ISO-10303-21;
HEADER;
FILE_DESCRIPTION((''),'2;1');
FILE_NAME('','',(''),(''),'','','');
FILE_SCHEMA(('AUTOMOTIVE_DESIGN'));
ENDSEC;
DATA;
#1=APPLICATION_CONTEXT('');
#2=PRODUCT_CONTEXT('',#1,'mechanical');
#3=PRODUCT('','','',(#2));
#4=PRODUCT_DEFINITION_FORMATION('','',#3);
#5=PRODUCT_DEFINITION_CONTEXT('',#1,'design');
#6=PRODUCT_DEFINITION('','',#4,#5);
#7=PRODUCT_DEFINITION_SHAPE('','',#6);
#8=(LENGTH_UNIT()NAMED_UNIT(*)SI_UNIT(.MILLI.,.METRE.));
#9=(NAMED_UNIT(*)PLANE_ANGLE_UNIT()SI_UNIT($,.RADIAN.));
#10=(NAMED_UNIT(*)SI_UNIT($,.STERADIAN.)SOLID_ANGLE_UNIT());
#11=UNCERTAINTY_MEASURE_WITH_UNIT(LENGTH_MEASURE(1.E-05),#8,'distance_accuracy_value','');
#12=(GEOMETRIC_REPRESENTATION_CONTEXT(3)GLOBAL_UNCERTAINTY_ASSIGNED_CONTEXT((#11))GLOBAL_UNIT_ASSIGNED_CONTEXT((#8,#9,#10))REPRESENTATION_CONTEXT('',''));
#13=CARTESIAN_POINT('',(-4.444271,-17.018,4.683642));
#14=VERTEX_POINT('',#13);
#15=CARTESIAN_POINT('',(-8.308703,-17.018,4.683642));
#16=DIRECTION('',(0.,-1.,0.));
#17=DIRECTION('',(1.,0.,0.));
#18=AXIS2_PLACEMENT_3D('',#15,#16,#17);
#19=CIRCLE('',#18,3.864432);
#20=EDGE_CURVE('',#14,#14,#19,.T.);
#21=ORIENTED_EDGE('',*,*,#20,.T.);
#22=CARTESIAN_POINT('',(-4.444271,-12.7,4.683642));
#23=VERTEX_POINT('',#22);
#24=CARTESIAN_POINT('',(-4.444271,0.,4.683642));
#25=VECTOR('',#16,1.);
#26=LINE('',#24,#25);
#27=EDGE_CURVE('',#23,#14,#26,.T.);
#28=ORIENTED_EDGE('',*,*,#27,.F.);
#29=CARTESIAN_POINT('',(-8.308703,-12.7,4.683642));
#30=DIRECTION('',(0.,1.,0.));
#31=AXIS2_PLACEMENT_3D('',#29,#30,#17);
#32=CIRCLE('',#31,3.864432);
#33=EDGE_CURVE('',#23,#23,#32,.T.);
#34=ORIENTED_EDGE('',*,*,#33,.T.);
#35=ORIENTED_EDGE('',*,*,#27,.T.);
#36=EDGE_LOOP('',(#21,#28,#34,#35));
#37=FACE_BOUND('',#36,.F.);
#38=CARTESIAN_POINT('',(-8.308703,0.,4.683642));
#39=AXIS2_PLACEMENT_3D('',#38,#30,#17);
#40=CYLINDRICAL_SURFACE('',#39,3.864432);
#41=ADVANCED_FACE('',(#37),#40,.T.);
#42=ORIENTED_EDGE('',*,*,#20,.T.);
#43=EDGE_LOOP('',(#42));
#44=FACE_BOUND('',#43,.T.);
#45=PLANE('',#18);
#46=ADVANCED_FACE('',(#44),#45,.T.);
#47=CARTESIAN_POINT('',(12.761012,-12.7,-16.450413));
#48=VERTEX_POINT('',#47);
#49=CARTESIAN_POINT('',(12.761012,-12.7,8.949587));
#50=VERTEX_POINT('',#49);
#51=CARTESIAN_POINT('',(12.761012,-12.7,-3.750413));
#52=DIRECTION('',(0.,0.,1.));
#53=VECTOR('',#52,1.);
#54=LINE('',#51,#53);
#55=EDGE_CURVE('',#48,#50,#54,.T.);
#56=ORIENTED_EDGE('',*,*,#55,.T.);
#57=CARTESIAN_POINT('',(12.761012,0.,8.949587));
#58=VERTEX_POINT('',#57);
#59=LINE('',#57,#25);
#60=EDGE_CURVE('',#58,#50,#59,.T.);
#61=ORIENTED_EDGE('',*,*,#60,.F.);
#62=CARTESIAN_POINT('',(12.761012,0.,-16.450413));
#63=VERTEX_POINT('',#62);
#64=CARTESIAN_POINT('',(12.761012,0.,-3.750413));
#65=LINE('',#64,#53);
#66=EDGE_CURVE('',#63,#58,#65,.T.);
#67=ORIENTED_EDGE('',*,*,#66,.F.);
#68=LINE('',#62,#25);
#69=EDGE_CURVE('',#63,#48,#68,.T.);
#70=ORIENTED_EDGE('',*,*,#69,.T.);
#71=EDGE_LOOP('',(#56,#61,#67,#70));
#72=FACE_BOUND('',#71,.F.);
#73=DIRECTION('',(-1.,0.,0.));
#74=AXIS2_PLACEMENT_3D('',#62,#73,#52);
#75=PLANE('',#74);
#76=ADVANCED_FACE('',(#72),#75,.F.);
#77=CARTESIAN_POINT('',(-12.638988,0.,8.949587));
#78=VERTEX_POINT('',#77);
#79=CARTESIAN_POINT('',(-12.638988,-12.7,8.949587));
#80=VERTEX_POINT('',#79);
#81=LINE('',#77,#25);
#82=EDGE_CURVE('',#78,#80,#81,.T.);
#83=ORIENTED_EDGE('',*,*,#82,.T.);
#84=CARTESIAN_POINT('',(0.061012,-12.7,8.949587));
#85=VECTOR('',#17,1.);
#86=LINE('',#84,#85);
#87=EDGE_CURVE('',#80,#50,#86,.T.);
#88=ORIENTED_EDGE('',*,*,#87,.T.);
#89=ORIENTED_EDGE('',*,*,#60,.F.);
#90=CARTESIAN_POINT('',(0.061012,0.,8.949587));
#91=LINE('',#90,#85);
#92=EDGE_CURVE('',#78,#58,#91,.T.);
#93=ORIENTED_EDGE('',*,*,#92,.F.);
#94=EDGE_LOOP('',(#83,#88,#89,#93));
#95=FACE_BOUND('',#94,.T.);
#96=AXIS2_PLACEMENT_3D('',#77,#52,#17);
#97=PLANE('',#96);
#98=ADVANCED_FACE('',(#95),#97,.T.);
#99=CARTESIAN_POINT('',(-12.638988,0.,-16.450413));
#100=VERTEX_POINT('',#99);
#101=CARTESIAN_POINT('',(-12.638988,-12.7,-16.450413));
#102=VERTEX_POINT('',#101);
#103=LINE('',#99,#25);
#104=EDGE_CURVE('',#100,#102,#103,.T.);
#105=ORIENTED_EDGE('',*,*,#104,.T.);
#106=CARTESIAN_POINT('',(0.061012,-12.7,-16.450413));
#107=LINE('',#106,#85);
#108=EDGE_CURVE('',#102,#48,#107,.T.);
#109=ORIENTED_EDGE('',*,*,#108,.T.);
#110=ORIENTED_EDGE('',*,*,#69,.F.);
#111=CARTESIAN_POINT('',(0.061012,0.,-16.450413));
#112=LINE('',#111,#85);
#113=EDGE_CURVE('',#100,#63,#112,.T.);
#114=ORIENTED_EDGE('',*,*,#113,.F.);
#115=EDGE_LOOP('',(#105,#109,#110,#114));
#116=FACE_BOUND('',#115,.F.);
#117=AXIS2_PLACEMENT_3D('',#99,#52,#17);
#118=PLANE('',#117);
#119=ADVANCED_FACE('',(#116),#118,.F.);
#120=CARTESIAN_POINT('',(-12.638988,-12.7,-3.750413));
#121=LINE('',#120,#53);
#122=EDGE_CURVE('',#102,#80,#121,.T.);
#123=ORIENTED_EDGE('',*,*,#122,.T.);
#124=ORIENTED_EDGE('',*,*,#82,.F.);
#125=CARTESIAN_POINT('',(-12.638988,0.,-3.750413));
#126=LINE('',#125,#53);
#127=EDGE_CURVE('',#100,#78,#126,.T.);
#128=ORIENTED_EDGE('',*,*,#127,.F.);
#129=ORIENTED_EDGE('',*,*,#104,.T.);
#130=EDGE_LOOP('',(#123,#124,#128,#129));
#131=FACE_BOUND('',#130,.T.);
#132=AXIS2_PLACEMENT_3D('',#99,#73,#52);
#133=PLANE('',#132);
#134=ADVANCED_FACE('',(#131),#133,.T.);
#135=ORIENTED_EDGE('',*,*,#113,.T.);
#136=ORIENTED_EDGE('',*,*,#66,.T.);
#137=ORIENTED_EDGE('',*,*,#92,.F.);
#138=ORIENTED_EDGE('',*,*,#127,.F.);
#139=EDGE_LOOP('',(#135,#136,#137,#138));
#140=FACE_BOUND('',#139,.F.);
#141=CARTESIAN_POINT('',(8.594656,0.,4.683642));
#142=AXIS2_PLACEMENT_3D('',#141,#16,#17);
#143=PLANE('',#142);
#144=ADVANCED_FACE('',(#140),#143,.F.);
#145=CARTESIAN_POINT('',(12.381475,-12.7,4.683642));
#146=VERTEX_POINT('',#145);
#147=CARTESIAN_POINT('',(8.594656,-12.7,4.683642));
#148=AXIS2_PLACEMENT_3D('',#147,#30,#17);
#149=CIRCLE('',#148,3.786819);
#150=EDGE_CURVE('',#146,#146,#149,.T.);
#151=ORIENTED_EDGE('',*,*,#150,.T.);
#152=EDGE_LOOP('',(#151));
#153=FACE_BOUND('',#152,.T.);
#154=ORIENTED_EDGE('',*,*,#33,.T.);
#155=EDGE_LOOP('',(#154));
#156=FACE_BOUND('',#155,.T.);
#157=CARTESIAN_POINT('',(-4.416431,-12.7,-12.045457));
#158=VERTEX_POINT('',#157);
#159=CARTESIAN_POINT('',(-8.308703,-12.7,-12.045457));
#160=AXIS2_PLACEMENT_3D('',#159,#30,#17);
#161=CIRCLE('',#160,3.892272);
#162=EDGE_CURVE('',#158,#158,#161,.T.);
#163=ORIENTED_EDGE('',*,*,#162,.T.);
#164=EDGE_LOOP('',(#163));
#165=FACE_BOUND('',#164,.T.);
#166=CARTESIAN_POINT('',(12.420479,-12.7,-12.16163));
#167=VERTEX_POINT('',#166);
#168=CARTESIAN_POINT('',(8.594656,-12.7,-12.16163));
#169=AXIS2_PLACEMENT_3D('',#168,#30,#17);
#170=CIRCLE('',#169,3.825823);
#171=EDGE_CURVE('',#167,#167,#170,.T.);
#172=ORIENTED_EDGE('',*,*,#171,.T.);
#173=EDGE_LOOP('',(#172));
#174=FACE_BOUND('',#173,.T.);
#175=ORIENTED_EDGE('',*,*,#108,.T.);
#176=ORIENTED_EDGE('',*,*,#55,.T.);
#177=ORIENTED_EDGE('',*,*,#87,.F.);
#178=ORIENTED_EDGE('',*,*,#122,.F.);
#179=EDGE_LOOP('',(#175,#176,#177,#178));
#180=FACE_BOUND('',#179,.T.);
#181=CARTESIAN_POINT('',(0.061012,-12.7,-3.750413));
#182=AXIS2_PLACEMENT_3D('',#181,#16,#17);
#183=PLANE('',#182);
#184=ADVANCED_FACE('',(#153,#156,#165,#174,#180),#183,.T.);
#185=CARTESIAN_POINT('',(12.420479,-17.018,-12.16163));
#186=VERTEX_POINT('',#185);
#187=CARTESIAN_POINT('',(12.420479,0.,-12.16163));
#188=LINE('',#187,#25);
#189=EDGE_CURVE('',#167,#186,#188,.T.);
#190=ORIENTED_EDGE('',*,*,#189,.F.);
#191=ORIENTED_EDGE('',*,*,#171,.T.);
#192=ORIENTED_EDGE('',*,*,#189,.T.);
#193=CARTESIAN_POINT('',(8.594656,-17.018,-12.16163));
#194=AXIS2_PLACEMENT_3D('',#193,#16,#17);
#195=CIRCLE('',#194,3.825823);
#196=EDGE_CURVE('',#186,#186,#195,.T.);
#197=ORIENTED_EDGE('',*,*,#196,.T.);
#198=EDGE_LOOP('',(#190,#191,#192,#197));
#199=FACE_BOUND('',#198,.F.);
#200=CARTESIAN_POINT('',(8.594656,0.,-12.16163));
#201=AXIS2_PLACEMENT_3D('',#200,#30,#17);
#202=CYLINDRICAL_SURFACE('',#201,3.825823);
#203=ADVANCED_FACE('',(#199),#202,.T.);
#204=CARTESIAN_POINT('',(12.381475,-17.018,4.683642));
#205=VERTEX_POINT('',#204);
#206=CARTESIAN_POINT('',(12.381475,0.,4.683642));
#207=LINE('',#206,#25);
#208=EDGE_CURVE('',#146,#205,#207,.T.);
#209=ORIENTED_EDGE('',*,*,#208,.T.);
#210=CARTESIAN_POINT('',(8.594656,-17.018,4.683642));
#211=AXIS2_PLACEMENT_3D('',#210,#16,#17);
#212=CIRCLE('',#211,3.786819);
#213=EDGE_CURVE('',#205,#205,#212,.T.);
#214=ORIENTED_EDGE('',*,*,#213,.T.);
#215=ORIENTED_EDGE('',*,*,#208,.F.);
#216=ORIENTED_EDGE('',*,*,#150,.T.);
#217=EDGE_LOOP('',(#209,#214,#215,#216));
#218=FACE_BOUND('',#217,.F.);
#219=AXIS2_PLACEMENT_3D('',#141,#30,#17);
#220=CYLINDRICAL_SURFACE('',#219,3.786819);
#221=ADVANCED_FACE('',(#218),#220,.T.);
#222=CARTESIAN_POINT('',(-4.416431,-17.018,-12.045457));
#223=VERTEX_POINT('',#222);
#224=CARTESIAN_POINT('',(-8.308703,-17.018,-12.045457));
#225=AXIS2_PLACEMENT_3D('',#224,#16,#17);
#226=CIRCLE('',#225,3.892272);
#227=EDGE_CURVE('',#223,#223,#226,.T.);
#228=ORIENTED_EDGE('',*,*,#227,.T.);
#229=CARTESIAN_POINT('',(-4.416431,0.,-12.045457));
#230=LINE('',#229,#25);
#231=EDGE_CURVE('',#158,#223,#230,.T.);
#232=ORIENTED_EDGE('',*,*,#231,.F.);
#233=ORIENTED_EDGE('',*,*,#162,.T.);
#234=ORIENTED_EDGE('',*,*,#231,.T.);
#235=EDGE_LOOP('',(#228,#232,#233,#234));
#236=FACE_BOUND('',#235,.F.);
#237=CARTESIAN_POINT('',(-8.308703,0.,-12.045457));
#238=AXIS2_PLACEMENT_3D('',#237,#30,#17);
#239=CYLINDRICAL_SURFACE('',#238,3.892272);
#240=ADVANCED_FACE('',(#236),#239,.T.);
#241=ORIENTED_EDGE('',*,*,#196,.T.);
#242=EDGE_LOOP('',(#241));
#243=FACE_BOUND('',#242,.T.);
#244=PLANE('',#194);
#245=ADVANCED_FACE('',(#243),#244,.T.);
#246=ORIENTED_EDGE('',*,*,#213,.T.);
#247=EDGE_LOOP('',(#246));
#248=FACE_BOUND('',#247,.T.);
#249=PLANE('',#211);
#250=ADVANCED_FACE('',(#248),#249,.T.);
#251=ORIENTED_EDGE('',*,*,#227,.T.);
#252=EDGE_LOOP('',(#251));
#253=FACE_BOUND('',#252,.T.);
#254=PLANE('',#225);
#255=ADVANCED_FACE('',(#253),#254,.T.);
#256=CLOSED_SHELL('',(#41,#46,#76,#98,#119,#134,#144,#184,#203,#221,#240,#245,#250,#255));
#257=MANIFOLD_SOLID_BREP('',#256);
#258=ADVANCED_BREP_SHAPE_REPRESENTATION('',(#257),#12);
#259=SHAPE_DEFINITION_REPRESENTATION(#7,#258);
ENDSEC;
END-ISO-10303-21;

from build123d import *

# Parameters (mm, degrees)
F0_W     = 25.4
F0_H     = 25.4
F1_DEPTH = 12.7
F2_R     = 3.892272
F3_DEPTH = 17.018
F2_R_2   = 3.825823
F4_DEPTH = 17.018
F2_R_3   = 3.864432
F5_DEPTH = 17.018
F2_R_4   = 3.786819
F6_DEPTH = 17.018


with BuildPart() as f1:
    # F0 (on Front) → F1 (new body)
    with BuildSketch(Plane.XZ):
        with Locations((0.061012, -3.750413)):
            Rectangle(F0_W, F0_H)
    extrude(amount=F1_DEPTH)

    # F2 (on Front) → F3 (join)
    with BuildSketch(Plane.XZ):
        with Locations((-8.308703, -12.045457)):
            Circle(F2_R)
    extrude(amount=F3_DEPTH)

    # F2 (on Front) → F4 (join)
    with BuildSketch(Plane.XZ):
        with Locations((8.594656, -12.16163)):
            Circle(F2_R_2)
    extrude(amount=F4_DEPTH)

    # F2 (on Front) → F5 (join)
    with BuildSketch(Plane.XZ):
        with Locations((-8.308703, 4.683642)):
            Circle(F2_R_3)
    extrude(amount=F5_DEPTH)

    # F2 (on Front) → F6 (join)
    with BuildSketch(Plane.XZ):
        with Locations((8.594656, 4.683642)):
            Circle(F2_R_4)
    extrude(amount=F6_DEPTH)


solid = f1.part
